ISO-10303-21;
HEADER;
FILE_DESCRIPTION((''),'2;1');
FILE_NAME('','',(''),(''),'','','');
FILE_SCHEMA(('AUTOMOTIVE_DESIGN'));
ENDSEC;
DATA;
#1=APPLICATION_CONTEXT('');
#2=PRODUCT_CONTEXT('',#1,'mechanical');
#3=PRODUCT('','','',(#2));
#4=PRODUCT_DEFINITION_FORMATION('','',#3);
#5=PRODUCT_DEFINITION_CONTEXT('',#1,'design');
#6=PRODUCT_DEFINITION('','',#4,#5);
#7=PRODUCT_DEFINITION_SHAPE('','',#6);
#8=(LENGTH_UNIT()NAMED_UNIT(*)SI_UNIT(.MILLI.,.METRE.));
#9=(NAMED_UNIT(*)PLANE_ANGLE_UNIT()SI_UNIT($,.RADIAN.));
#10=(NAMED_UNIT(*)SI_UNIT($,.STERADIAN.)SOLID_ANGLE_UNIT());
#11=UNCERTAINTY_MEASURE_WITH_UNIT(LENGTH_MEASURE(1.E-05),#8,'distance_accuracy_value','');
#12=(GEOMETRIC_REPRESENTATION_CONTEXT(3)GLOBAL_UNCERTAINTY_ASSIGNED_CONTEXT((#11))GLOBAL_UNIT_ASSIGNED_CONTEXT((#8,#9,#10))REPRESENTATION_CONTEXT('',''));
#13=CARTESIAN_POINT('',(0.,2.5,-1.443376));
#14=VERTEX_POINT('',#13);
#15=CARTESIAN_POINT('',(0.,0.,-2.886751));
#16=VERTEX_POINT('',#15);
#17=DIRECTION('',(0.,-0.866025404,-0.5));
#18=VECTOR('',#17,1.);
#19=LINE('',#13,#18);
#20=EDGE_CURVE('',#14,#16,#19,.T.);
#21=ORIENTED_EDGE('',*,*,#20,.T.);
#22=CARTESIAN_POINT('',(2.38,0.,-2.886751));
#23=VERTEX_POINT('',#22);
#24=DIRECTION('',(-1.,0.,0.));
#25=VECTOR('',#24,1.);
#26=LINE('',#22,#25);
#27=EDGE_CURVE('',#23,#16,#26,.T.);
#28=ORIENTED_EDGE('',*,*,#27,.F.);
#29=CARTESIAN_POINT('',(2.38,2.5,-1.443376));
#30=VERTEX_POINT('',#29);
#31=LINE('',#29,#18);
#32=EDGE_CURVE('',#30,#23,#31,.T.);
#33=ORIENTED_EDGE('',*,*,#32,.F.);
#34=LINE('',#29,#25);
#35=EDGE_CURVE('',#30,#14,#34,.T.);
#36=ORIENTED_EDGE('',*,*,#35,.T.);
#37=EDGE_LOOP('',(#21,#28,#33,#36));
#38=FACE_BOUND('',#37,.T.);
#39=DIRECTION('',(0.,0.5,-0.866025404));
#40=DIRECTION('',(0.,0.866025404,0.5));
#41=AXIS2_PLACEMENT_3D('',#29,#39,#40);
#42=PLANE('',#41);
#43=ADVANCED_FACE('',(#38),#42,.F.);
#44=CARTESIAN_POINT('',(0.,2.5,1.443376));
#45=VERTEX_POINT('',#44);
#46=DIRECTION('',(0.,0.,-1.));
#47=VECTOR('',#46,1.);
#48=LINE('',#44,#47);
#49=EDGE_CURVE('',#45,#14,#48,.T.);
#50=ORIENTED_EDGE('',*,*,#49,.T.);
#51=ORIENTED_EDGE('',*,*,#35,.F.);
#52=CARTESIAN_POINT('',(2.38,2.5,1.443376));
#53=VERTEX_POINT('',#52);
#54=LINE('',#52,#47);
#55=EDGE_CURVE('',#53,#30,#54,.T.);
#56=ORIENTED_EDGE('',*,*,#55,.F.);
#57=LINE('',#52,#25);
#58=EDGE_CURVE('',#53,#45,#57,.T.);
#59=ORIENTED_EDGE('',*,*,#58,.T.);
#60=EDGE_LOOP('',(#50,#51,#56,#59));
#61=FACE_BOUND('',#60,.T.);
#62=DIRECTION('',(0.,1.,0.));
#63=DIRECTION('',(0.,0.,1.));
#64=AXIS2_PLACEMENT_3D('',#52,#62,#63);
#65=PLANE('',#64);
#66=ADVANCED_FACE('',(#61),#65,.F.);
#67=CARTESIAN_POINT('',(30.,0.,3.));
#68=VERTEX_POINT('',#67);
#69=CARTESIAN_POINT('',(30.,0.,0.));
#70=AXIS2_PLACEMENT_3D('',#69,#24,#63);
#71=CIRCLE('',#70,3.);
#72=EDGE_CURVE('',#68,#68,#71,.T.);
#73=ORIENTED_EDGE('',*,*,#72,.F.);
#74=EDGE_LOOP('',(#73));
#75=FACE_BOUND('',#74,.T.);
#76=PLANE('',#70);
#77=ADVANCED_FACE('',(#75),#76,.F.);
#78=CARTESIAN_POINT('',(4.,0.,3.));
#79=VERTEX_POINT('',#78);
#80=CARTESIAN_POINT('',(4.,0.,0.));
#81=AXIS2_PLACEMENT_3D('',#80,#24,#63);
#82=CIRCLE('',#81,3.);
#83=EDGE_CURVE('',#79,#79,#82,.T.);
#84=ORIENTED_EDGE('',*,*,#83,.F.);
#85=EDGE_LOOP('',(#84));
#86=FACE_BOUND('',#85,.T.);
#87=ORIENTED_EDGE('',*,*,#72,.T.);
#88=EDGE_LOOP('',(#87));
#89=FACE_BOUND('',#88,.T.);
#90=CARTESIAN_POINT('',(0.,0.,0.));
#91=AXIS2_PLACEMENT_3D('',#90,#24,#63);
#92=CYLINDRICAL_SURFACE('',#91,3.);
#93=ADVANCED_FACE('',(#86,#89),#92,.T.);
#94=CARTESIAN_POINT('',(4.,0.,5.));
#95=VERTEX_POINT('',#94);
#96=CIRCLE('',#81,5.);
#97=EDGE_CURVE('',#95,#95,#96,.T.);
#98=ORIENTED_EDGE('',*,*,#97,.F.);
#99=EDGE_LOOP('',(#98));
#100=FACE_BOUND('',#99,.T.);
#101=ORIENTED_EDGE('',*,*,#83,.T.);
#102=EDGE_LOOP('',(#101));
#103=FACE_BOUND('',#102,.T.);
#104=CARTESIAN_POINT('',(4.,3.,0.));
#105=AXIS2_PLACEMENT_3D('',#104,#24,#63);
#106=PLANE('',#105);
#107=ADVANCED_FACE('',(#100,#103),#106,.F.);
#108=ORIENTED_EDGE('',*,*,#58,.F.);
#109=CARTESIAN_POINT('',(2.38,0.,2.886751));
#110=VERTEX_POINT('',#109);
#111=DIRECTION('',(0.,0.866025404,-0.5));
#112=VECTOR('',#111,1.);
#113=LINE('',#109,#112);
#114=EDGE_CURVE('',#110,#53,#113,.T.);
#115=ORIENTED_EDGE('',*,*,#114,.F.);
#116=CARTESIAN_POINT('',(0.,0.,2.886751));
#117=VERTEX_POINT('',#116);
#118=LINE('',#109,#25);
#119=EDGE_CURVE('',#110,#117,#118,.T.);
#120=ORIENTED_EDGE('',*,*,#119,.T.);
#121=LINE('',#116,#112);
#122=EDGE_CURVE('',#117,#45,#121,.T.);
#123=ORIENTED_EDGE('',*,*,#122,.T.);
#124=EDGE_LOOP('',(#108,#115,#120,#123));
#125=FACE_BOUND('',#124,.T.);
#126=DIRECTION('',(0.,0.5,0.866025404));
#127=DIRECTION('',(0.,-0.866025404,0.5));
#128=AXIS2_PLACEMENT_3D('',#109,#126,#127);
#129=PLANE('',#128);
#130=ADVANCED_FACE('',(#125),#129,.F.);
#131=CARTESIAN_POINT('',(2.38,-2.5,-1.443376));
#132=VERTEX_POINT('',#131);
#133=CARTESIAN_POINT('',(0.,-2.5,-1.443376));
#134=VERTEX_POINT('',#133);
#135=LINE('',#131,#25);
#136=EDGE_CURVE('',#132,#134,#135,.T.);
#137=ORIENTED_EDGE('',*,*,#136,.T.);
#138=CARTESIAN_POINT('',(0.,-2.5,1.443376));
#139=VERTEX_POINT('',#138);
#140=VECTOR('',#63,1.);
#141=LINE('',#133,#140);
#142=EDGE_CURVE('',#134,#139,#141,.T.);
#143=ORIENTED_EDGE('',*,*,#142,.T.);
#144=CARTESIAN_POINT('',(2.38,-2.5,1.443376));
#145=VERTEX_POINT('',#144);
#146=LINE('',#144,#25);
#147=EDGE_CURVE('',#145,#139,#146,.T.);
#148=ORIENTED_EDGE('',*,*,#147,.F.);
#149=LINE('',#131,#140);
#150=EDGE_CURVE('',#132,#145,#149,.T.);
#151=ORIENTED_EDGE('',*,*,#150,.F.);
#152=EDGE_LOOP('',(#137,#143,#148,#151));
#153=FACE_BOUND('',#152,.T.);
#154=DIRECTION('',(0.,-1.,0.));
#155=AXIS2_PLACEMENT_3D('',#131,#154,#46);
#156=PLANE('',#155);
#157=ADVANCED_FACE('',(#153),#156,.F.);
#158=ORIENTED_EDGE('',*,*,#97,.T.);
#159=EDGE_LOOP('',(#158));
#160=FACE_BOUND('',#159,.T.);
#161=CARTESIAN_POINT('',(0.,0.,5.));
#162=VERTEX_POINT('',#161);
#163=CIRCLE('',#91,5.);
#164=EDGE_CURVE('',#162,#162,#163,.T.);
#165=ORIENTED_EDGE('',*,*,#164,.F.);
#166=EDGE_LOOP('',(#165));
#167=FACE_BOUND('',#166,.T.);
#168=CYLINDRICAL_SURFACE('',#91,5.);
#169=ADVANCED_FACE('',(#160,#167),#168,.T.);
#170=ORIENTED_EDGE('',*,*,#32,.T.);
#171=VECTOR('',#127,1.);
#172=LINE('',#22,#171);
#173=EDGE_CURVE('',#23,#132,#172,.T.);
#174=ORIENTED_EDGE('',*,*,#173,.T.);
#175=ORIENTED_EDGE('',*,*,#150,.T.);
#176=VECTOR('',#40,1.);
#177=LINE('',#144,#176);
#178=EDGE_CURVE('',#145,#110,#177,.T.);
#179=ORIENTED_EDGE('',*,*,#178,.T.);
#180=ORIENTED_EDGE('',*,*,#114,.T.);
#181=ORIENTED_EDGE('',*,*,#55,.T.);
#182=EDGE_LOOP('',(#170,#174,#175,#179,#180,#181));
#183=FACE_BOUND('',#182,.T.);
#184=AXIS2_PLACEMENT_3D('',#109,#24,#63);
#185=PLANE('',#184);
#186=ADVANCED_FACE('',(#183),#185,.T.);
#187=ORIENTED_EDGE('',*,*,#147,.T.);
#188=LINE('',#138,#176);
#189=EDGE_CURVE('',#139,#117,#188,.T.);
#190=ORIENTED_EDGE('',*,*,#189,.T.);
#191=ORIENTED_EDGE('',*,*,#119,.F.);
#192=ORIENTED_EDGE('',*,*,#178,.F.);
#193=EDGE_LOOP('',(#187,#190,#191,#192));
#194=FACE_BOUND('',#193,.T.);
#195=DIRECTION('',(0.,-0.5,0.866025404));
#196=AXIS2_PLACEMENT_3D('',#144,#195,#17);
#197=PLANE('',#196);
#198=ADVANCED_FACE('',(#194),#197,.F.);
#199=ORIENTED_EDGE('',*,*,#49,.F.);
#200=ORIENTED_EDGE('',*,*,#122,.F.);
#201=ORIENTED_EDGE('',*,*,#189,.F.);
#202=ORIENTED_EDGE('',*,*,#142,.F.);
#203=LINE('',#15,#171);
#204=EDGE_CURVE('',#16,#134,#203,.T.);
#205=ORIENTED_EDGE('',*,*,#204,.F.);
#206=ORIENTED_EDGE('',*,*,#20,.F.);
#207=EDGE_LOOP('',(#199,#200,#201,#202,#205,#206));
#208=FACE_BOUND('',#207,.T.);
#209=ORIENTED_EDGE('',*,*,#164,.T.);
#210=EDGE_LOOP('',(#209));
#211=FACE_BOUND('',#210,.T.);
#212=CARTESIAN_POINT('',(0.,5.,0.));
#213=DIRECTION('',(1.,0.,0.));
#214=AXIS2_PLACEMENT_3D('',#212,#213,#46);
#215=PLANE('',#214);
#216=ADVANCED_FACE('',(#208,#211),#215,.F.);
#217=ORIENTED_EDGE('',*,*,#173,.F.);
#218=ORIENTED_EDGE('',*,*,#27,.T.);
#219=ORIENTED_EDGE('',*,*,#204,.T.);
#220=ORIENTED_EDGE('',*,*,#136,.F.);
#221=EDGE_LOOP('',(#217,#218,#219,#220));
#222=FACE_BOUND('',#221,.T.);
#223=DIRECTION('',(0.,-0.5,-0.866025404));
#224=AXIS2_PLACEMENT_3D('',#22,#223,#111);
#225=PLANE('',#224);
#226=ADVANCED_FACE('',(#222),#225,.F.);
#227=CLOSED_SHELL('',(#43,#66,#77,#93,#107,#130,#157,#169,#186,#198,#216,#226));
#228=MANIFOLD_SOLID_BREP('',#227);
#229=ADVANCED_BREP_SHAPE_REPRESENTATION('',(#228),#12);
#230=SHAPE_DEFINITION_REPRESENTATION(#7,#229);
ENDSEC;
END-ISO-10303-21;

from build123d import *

# Parameters (mm, degrees)
CUT_EXTRUDE1_DEPTH = 2.38


with BuildPart() as part:
    # Sketch1 → Revolve1 (revolve)
    with BuildSketch(Plane.XY, mode=Mode.PRIVATE) as revolve1_sk:
        Polygon((0, 0), (30, 0), (30, 3), (4, 3), (4, 5), (0, 5), align=None)
    revolve(revolve1_sk.sketch.rotate(Axis((0, 0, 0), (1, 0, 0)), 90), axis=Axis((0, 0, 0), (1, 0, 0)))

    # Sketch2 → Cut-Extrude1 (cut)
    with BuildSketch(Plane.ZY):
        Polygon((2.886751346, 0), (1.443375673, 2.5), (-1.443375673, 2.5), (-2.886751346, 0), (-1.443375673, -2.5), (1.443375673, -2.5), align=None)
    extrude(amount=-CUT_EXTRUDE1_DEPTH, mode=Mode.SUBTRACT)


solid = part.part
